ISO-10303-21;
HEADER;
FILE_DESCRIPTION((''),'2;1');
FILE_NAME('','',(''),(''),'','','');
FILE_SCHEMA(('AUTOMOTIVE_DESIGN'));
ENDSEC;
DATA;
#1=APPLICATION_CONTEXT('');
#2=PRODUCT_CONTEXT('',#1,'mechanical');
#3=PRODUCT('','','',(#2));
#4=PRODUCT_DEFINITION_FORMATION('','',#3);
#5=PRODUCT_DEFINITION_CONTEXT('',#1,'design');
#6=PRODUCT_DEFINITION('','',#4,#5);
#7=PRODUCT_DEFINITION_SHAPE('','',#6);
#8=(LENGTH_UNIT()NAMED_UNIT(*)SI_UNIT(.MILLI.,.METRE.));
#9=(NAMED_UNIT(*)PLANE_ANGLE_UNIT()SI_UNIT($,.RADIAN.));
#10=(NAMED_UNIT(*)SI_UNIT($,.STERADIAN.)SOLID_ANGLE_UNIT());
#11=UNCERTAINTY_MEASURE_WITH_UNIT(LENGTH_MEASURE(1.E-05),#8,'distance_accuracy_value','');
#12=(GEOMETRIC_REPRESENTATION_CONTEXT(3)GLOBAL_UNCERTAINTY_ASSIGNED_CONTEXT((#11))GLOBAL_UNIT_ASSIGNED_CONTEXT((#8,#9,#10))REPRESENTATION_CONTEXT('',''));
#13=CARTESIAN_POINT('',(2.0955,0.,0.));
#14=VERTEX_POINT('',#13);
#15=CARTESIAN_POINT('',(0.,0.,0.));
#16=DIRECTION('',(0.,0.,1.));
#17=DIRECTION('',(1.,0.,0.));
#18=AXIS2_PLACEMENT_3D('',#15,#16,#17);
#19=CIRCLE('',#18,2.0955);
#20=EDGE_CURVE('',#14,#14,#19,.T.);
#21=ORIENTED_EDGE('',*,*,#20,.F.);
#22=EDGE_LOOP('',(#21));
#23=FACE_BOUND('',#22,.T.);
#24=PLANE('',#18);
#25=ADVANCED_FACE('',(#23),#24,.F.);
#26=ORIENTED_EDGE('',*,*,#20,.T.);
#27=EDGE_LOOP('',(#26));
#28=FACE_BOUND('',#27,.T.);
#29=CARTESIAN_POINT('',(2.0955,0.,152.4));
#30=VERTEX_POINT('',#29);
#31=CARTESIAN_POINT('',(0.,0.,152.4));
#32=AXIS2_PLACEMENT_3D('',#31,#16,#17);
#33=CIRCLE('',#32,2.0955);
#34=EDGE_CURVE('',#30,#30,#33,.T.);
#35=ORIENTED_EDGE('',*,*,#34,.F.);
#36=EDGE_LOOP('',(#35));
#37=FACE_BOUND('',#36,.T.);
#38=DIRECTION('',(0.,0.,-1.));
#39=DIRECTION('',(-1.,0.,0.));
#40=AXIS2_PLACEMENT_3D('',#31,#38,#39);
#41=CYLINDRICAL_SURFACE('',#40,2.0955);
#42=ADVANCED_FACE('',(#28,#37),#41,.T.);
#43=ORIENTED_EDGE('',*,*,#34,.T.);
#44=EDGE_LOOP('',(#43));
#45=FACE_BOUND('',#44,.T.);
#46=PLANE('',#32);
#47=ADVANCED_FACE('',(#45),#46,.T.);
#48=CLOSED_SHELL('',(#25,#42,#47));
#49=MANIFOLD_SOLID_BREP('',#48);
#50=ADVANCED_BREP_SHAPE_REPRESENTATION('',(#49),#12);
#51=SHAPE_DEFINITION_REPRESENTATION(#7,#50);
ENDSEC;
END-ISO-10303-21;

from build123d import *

# Parameters (mm, degrees)
SKETCH1_R           = 2.0955
BOSS_EXTRUDE1_DEPTH = 152.4


with BuildPart() as part:
    # Sketch1 → Boss-Extrude1 (new body)
    with BuildSketch(Plane.XY):
        Circle(SKETCH1_R)
    extrude(amount=BOSS_EXTRUDE1_DEPTH)


solid = part.part
